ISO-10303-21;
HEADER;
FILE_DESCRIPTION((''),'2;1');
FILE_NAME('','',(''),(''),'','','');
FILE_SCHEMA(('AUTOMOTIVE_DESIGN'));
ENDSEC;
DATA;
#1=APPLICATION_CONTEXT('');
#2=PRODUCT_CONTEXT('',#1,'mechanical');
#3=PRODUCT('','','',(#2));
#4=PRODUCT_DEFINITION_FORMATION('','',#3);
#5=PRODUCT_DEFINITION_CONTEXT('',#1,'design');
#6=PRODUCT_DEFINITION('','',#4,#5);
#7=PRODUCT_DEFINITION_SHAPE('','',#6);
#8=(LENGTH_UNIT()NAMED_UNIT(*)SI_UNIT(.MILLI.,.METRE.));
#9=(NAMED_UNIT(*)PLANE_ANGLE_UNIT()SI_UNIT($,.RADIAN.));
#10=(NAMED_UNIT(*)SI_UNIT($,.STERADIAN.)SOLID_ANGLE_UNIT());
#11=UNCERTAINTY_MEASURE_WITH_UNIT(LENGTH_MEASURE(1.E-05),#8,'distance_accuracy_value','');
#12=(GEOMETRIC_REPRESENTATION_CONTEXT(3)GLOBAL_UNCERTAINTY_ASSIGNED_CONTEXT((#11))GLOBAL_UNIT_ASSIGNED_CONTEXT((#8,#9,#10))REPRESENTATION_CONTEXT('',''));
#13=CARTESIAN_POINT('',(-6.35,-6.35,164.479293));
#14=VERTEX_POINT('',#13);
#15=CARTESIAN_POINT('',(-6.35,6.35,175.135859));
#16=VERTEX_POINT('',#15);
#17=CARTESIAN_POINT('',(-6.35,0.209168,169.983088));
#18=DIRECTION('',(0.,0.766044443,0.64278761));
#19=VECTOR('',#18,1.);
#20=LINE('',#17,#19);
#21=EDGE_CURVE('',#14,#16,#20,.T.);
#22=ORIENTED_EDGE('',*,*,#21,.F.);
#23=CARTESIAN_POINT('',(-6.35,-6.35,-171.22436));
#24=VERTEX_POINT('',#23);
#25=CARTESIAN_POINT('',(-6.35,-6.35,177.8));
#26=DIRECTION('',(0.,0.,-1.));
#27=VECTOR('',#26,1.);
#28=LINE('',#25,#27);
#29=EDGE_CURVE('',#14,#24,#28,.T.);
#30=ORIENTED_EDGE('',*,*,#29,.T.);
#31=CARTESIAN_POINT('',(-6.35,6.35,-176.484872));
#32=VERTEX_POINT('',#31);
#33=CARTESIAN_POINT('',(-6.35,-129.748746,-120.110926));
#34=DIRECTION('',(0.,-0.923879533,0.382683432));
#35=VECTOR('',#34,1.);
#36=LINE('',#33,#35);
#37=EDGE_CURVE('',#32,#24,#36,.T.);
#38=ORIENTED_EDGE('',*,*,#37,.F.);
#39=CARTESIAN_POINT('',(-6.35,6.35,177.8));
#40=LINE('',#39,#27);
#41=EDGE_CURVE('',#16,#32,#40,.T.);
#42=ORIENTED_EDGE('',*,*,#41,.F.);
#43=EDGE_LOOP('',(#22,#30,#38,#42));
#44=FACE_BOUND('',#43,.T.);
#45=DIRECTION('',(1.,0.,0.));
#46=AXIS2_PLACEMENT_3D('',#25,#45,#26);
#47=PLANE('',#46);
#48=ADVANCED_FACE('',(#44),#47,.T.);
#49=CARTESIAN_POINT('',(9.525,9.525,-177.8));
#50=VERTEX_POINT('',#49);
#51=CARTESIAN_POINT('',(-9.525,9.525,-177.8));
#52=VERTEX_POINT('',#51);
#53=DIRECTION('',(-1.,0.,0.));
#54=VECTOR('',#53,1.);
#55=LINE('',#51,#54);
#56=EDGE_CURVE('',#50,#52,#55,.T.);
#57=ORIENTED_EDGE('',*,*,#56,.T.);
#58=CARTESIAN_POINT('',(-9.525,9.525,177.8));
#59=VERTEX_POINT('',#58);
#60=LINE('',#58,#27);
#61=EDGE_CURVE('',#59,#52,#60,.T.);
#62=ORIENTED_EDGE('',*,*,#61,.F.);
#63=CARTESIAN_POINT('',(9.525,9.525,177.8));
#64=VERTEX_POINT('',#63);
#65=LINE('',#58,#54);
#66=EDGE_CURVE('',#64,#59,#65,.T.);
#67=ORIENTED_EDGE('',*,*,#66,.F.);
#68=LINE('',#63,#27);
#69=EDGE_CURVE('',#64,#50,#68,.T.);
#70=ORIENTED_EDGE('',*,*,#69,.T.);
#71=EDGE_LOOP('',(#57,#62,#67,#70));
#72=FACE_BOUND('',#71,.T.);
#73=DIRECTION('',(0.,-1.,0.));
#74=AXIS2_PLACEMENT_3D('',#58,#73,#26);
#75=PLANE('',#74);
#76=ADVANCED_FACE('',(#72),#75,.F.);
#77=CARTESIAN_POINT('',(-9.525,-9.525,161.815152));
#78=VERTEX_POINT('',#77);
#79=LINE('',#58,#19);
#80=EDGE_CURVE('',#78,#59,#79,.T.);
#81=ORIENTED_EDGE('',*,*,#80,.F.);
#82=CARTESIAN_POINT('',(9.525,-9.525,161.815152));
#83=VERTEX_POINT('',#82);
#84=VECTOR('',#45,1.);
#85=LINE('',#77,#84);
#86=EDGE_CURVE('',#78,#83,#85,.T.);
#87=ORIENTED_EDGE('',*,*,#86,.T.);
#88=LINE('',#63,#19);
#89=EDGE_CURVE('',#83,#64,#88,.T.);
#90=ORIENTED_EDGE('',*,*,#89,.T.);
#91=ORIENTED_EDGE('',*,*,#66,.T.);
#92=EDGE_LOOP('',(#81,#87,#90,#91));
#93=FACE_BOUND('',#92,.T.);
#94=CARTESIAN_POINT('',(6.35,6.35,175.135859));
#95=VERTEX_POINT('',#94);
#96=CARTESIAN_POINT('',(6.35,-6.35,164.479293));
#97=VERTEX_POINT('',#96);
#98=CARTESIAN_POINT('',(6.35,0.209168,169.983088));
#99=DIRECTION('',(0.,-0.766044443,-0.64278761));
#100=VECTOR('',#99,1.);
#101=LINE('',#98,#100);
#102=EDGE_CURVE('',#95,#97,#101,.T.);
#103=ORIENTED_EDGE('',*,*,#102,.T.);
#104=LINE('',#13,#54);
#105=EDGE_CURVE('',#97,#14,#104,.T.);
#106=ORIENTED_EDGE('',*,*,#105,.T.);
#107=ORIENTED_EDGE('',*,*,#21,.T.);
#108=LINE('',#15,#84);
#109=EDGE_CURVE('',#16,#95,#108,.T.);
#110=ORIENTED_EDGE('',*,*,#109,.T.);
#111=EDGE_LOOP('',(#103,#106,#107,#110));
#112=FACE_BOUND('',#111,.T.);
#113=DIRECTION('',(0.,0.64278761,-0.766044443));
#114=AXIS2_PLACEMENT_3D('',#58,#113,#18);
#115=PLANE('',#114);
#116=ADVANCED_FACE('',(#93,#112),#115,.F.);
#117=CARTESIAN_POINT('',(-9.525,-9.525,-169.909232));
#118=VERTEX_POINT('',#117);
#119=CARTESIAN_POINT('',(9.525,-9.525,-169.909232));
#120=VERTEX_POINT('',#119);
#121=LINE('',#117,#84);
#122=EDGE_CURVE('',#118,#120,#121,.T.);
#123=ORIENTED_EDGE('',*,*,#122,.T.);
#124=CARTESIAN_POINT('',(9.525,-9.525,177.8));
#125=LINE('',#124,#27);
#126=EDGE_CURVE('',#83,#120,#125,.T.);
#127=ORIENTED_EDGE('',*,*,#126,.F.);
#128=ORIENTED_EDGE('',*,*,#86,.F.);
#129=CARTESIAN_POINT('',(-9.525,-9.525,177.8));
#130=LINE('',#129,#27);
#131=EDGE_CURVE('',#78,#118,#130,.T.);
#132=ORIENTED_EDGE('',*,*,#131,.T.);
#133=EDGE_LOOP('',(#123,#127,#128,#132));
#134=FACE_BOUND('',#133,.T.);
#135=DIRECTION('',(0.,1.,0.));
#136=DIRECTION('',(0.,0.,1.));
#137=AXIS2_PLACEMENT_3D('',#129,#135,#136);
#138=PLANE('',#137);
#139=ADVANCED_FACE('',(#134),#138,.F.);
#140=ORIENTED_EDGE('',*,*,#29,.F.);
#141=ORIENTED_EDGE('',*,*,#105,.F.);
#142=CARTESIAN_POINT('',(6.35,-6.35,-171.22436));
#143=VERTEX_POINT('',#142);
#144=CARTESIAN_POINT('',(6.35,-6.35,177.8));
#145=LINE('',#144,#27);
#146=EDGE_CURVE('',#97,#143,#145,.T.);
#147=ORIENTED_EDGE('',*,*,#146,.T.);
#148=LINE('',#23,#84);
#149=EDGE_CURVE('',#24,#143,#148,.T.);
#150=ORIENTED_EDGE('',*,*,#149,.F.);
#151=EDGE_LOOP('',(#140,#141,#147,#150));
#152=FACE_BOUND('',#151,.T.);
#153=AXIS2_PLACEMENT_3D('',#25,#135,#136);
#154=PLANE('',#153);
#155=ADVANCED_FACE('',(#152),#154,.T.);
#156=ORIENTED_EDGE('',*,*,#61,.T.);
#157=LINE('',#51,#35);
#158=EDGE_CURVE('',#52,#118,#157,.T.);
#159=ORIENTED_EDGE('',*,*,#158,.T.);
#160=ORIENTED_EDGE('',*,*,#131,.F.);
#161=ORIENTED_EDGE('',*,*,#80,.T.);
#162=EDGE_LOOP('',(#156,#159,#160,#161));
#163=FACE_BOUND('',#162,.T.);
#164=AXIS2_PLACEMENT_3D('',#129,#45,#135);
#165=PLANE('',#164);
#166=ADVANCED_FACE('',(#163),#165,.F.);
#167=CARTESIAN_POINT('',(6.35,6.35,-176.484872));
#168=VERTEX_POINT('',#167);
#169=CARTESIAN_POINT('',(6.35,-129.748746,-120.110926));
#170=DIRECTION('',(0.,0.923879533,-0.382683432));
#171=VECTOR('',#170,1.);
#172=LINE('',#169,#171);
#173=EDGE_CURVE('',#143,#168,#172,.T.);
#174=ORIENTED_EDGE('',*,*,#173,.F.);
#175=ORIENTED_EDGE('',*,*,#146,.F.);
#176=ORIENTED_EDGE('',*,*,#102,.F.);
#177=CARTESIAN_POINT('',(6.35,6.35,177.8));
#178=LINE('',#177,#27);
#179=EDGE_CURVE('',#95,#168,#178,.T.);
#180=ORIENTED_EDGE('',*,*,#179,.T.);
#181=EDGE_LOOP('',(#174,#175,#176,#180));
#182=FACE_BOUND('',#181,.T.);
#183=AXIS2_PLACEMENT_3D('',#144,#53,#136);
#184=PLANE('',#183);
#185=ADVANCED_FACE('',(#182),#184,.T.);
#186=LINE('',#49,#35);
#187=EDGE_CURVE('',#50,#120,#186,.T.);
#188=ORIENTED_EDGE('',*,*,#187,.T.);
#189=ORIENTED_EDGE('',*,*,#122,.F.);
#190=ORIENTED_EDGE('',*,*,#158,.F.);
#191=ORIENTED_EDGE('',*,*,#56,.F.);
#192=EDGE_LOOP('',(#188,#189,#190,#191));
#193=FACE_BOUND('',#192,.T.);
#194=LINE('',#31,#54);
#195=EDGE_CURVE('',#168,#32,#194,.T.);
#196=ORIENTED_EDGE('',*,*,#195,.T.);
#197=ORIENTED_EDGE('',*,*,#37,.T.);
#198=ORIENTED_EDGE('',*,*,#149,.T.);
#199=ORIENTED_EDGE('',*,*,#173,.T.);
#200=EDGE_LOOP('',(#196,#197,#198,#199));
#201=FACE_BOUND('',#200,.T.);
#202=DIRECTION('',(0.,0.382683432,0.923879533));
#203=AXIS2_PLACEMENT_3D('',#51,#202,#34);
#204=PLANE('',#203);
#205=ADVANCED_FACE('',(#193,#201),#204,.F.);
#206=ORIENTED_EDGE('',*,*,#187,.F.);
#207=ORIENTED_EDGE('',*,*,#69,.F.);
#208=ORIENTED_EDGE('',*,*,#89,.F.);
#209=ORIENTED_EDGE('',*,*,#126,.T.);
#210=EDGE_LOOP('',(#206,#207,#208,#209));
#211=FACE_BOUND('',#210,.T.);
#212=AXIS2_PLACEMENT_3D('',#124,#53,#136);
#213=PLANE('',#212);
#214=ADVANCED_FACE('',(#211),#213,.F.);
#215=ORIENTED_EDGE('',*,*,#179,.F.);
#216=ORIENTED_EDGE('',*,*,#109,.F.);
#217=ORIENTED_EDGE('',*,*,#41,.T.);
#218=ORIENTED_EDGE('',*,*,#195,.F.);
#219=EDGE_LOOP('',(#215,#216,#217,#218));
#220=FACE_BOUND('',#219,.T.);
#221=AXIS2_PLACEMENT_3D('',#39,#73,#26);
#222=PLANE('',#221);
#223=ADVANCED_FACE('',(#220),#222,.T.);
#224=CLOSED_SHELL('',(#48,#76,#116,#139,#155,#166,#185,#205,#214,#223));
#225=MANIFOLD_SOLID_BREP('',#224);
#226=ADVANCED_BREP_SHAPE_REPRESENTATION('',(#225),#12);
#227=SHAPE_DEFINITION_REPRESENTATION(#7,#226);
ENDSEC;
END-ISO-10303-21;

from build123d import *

# Parameters (mm, degrees)
SKETCH1_W           = 19.05
SKETCH1_H           = 19.05
SKETCH1_W_2         = 12.7
SKETCH1_H_2         = 12.7
BOSS_EXTRUDE1_DEPTH = 177.8
CUT_EXTRUDE1_DEPTH  = 180.071125883


with BuildPart() as part:
    # Sketch1 → Boss-Extrude1 (new, symmetric)
    with BuildSketch(Plane.XY):
        Rectangle(SKETCH1_W, SKETCH1_H)
        Rectangle(SKETCH1_W_2, SKETCH1_H_2, mode=Mode.SUBTRACT)
    extrude(amount=BOSS_EXTRUDE1_DEPTH, both=True)

    # Sketch2 → Cut-Extrude1 (cut, through all)
    with BuildSketch(Plane(origin=(9.525, 0, 0), x_dir=(0, 0, -1), z_dir=(1, 0, 0))):
        Polygon((-177.8, 9.525), (-161.815152026, -9.525), (-177.8, -9.525), align=None)
        Polygon((177.8, 9.525), (169.909231637, -9.525), (177.8, -9.525), align=None)
    extrude(amount=-CUT_EXTRUDE1_DEPTH, mode=Mode.SUBTRACT)


solid = part.part
